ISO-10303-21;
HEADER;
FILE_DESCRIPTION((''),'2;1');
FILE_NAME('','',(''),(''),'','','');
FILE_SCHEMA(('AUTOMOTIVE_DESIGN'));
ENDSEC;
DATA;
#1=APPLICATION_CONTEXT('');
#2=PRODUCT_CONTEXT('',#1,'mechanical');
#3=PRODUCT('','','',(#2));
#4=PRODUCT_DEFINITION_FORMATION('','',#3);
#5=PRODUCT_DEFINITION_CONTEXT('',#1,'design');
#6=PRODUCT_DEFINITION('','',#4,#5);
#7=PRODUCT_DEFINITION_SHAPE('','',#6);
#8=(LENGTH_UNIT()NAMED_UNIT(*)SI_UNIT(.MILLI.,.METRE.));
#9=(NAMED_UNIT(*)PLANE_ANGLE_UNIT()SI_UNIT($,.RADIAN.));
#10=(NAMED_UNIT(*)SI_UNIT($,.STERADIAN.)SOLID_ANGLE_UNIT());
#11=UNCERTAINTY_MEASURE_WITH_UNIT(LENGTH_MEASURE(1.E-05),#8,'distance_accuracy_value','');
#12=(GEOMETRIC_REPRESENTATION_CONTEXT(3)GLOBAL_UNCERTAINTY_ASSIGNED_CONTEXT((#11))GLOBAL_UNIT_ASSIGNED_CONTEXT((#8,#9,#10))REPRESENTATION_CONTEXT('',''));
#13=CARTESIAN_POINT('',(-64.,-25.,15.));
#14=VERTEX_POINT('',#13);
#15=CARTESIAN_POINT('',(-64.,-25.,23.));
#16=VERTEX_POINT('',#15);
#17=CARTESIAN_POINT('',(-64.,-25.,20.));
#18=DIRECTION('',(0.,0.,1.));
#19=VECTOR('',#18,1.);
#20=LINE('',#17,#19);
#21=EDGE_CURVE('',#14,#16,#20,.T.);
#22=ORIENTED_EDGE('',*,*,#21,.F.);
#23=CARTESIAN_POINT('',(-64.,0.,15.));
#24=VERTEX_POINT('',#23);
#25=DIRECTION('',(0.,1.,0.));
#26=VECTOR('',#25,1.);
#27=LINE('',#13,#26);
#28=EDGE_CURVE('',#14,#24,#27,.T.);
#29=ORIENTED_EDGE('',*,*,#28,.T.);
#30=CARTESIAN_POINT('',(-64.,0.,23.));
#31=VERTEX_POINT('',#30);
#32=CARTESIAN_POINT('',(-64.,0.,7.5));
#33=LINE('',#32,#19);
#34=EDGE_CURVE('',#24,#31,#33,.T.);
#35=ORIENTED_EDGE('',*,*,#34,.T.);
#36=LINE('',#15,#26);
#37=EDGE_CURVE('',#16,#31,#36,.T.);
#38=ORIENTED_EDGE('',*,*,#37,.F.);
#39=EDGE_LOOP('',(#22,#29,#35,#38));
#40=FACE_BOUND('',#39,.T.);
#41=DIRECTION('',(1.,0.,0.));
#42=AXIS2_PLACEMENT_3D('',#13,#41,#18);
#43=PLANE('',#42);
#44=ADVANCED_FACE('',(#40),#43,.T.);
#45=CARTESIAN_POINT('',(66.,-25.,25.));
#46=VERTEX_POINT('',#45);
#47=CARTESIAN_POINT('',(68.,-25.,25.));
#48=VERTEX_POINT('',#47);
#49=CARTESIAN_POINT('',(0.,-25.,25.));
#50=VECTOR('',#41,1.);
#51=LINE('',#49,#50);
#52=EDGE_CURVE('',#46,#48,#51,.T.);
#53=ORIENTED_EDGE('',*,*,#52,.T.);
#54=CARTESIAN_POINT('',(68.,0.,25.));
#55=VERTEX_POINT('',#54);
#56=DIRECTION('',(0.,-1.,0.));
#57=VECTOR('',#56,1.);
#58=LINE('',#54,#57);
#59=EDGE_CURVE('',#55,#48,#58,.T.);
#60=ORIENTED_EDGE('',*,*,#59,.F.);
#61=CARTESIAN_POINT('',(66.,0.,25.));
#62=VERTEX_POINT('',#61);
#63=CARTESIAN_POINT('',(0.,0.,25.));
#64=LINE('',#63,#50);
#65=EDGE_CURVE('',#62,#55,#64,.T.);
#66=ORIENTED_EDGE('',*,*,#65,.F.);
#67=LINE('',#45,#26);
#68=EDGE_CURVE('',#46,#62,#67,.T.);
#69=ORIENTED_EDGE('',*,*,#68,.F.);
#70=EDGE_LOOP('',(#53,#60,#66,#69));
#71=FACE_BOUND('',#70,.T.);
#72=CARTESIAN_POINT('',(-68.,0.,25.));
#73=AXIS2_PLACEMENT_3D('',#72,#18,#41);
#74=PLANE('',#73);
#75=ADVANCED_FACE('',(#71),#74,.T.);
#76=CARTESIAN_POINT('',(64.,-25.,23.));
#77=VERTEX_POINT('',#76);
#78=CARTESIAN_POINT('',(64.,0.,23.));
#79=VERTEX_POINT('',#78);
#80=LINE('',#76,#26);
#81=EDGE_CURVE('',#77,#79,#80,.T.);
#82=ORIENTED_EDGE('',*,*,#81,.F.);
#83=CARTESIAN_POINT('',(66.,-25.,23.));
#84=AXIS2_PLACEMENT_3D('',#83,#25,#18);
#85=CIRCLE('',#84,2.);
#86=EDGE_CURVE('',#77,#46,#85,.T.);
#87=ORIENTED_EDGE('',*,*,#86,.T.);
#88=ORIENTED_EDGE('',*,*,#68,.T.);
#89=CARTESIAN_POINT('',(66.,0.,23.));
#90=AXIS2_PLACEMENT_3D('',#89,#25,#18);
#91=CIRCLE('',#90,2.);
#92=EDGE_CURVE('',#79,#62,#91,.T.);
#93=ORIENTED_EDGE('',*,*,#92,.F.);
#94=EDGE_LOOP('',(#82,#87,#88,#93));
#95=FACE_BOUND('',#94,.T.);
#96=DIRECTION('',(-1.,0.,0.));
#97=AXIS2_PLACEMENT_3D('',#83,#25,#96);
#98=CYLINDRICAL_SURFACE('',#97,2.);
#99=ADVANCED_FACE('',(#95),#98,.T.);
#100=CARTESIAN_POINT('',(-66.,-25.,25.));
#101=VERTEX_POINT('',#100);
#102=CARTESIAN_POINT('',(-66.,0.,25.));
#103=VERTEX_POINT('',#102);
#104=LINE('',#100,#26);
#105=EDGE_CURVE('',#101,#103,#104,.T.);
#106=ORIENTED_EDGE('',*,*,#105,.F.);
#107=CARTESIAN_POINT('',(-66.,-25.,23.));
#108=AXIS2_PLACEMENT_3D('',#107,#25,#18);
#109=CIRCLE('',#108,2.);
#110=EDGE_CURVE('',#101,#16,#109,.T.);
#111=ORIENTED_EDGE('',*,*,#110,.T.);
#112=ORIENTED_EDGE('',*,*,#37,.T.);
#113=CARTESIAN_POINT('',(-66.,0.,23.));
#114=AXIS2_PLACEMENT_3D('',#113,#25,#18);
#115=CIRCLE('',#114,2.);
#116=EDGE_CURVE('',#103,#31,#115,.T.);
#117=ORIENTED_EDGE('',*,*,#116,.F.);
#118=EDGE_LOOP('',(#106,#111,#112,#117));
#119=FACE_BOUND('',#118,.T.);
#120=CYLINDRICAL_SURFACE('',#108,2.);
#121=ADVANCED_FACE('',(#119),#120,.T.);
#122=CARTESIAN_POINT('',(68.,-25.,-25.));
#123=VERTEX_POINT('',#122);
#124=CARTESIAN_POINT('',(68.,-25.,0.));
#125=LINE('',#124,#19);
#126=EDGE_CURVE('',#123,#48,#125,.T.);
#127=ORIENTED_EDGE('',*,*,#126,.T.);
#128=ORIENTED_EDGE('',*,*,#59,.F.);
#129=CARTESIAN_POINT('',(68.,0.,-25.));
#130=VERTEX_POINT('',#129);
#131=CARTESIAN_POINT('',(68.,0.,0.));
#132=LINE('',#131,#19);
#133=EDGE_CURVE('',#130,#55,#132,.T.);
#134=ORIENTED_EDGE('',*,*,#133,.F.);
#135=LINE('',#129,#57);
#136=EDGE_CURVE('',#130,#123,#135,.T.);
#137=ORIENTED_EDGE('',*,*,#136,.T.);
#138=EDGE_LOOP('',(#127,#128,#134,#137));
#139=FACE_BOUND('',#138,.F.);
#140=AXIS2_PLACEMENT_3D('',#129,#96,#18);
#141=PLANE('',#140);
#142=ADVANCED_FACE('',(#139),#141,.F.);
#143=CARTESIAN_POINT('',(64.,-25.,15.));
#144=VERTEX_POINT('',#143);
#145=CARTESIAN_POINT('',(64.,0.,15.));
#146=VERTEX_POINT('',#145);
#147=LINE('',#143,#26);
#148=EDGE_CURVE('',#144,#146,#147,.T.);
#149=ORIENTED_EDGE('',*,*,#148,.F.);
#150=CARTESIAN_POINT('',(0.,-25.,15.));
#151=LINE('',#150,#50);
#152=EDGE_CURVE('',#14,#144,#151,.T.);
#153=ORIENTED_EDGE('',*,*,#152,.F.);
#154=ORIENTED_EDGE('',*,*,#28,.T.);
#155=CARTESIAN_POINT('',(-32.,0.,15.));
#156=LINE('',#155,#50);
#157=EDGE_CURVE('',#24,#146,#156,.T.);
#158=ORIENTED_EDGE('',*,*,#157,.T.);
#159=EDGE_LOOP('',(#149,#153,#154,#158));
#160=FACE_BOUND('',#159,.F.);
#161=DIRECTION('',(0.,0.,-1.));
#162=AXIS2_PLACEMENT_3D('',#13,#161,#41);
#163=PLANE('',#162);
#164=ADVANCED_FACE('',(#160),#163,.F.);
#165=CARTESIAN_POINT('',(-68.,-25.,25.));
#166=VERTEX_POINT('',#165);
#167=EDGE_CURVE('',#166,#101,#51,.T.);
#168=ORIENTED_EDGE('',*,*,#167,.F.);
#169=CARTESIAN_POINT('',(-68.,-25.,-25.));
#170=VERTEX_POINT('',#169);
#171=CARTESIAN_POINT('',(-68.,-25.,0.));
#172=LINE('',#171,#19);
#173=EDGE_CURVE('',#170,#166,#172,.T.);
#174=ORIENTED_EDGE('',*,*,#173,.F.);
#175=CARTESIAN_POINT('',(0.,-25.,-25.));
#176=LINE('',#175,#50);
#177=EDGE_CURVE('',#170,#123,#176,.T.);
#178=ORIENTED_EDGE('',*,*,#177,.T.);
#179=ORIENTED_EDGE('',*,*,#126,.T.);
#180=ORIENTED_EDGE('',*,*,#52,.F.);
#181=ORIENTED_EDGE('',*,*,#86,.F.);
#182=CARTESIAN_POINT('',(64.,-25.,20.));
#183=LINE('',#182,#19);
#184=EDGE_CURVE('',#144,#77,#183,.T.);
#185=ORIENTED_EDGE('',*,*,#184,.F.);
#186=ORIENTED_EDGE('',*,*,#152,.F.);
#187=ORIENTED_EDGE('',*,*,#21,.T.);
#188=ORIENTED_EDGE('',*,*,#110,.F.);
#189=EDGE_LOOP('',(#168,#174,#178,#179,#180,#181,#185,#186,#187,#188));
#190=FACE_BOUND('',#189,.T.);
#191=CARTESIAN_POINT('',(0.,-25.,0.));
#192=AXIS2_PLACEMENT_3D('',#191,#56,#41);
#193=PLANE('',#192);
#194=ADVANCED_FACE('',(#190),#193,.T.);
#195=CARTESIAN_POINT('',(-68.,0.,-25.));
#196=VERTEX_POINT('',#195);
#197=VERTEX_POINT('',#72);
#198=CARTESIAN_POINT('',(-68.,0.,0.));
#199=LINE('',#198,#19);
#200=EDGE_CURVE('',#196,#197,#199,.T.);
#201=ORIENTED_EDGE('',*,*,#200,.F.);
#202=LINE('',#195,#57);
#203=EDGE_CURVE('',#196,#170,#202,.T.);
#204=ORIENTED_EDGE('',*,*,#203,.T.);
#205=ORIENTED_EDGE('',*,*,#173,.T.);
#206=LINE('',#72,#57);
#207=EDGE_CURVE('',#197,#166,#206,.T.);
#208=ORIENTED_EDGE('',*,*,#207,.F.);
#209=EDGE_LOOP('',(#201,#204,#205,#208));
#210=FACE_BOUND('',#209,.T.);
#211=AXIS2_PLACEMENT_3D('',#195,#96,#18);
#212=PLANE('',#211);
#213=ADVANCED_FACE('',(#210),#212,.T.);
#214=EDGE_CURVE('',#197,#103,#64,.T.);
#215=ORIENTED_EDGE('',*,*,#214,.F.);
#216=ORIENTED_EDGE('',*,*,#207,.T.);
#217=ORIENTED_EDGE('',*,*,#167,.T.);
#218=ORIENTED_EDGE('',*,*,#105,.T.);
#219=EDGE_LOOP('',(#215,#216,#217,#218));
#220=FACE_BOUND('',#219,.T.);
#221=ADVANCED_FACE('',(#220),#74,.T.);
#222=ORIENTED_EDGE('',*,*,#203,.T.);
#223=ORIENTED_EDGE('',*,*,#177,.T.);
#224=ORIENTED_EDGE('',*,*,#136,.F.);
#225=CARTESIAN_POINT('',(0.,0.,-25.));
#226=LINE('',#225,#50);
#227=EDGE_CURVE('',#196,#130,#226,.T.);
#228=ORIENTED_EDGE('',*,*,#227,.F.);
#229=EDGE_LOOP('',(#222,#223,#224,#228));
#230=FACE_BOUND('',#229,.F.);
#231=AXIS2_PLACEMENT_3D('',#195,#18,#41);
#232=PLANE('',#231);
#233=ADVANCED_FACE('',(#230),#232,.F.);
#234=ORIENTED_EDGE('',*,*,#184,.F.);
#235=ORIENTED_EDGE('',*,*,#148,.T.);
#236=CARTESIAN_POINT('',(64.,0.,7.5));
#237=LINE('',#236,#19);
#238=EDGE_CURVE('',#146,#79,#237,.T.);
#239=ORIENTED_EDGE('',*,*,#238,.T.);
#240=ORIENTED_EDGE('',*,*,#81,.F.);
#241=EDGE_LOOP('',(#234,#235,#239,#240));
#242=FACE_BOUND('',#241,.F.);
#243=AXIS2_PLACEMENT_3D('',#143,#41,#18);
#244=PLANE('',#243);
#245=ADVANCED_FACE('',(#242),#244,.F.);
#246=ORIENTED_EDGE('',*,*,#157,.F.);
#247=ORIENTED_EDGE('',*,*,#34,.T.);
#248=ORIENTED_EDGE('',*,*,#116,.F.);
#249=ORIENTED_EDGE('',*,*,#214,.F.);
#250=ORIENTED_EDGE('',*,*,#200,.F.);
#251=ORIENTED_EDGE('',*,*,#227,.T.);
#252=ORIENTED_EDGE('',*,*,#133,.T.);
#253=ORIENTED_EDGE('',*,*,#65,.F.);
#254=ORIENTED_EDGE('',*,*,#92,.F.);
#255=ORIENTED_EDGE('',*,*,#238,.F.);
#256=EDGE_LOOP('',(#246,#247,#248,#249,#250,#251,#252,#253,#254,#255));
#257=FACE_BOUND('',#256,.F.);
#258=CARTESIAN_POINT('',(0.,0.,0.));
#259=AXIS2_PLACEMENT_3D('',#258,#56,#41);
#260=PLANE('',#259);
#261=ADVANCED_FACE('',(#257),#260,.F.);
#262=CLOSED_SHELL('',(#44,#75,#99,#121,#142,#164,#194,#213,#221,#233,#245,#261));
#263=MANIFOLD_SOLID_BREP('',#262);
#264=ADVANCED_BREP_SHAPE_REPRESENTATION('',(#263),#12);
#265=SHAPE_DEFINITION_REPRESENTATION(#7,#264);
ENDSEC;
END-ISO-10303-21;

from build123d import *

# Parameters (mm, degrees)
F0_W     = 136
F0_H     = 50
F1_DEPTH = 25
F2_W     = 128
F2_H     = 10
F3_DEPTH = 25.001
F4_R     = 2


with BuildPart() as f1:
    # F0 (on Front) → F1 (new body)
    with BuildSketch(Plane.XZ):
        Rectangle(F0_W, F0_H)
    extrude(amount=F1_DEPTH)

    # F2 (on face) → F3 (cut, through all)
    with BuildSketch(Plane.XZ.offset(25)):
        with Locations((0, 20)):
            Rectangle(F2_W, F2_H)
    extrude(amount=-F3_DEPTH, mode=Mode.SUBTRACT)

    # F4
    f4_edges = [f1.edges().sort_by_distance(p)[0] for p in [
        (-64, -12.5, 25),
        (64, -12.5, 25),
    ]]
    fillet(f4_edges, radius=F4_R)


solid = f1.part
